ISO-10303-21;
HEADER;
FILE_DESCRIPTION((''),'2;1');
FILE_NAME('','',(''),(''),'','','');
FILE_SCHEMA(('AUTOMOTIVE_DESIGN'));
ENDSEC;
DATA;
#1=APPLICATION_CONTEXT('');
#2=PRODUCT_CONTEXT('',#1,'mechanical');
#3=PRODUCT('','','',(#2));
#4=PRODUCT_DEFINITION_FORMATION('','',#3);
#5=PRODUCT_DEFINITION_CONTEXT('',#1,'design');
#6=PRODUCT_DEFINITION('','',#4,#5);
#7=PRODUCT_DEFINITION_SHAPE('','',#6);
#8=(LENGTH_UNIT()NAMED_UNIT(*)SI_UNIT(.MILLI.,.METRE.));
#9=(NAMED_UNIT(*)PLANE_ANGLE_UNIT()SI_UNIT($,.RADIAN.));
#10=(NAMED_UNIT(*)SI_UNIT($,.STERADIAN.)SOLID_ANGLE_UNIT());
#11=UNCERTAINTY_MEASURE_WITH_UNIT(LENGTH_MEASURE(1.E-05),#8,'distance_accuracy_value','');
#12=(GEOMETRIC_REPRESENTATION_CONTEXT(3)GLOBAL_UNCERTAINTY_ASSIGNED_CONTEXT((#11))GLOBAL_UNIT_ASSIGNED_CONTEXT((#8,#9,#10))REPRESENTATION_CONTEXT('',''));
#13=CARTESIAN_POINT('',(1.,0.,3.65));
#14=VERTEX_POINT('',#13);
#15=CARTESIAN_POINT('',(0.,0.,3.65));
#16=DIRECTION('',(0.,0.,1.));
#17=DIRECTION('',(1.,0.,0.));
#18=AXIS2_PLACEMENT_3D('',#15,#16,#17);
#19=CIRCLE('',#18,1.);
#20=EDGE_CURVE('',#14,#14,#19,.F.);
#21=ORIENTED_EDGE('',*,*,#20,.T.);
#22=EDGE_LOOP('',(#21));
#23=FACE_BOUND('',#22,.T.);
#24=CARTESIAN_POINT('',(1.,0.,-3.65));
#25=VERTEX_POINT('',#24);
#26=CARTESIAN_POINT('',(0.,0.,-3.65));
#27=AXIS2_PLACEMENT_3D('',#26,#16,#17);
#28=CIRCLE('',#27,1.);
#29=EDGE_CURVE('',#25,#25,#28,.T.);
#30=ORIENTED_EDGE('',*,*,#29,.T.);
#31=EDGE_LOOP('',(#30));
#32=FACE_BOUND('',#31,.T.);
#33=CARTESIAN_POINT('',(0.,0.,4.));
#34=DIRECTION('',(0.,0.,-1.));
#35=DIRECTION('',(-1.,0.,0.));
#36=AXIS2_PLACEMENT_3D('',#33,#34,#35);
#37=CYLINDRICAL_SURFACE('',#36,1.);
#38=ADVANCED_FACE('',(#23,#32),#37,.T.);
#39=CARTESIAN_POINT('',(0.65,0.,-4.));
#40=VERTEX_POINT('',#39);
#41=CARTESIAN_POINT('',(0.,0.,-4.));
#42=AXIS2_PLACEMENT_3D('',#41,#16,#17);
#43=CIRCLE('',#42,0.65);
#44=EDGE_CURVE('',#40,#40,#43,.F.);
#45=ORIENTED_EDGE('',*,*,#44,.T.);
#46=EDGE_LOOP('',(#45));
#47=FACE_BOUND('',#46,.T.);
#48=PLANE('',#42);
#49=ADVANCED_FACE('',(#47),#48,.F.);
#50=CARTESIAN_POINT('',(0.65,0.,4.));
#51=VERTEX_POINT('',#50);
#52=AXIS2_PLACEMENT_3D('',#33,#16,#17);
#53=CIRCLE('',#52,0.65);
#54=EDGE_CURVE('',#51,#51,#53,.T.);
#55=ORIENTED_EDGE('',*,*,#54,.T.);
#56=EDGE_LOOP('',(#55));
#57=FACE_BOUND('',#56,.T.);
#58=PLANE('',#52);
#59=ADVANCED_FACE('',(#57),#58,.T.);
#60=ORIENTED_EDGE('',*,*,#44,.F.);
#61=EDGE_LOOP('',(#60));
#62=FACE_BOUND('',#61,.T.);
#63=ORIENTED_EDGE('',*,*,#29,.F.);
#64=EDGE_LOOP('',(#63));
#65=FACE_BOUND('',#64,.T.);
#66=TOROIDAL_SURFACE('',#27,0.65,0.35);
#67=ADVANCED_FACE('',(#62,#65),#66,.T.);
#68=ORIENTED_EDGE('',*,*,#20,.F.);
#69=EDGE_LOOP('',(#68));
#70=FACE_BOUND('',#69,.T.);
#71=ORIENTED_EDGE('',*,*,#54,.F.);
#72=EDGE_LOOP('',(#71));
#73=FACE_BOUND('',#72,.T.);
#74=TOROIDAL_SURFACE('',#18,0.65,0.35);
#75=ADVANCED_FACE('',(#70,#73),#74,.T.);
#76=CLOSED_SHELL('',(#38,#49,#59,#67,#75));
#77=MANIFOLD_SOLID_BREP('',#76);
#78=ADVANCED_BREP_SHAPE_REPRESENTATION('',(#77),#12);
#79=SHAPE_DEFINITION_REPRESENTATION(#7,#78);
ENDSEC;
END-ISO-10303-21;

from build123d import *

# Parameters (mm, degrees)
SKETCH1_R           = 1
BOSS_EXTRUDE1_DEPTH = 4
FILLET1_R           = 0.35


with BuildPart() as part:
    # Sketch1 → Boss-Extrude1 (new body, symmetric)
    with BuildSketch(Plane.XY):
        Circle(SKETCH1_R)
    extrude(amount=BOSS_EXTRUDE1_DEPTH, both=True)

    # Fillet1
    fillet1_edges = [part.edges().sort_by_distance(p)[0] for p in [
        (-1, 0, -4),
        (-1, 0, 4),
    ]]
    fillet(fillet1_edges, radius=FILLET1_R)


solid = part.part
